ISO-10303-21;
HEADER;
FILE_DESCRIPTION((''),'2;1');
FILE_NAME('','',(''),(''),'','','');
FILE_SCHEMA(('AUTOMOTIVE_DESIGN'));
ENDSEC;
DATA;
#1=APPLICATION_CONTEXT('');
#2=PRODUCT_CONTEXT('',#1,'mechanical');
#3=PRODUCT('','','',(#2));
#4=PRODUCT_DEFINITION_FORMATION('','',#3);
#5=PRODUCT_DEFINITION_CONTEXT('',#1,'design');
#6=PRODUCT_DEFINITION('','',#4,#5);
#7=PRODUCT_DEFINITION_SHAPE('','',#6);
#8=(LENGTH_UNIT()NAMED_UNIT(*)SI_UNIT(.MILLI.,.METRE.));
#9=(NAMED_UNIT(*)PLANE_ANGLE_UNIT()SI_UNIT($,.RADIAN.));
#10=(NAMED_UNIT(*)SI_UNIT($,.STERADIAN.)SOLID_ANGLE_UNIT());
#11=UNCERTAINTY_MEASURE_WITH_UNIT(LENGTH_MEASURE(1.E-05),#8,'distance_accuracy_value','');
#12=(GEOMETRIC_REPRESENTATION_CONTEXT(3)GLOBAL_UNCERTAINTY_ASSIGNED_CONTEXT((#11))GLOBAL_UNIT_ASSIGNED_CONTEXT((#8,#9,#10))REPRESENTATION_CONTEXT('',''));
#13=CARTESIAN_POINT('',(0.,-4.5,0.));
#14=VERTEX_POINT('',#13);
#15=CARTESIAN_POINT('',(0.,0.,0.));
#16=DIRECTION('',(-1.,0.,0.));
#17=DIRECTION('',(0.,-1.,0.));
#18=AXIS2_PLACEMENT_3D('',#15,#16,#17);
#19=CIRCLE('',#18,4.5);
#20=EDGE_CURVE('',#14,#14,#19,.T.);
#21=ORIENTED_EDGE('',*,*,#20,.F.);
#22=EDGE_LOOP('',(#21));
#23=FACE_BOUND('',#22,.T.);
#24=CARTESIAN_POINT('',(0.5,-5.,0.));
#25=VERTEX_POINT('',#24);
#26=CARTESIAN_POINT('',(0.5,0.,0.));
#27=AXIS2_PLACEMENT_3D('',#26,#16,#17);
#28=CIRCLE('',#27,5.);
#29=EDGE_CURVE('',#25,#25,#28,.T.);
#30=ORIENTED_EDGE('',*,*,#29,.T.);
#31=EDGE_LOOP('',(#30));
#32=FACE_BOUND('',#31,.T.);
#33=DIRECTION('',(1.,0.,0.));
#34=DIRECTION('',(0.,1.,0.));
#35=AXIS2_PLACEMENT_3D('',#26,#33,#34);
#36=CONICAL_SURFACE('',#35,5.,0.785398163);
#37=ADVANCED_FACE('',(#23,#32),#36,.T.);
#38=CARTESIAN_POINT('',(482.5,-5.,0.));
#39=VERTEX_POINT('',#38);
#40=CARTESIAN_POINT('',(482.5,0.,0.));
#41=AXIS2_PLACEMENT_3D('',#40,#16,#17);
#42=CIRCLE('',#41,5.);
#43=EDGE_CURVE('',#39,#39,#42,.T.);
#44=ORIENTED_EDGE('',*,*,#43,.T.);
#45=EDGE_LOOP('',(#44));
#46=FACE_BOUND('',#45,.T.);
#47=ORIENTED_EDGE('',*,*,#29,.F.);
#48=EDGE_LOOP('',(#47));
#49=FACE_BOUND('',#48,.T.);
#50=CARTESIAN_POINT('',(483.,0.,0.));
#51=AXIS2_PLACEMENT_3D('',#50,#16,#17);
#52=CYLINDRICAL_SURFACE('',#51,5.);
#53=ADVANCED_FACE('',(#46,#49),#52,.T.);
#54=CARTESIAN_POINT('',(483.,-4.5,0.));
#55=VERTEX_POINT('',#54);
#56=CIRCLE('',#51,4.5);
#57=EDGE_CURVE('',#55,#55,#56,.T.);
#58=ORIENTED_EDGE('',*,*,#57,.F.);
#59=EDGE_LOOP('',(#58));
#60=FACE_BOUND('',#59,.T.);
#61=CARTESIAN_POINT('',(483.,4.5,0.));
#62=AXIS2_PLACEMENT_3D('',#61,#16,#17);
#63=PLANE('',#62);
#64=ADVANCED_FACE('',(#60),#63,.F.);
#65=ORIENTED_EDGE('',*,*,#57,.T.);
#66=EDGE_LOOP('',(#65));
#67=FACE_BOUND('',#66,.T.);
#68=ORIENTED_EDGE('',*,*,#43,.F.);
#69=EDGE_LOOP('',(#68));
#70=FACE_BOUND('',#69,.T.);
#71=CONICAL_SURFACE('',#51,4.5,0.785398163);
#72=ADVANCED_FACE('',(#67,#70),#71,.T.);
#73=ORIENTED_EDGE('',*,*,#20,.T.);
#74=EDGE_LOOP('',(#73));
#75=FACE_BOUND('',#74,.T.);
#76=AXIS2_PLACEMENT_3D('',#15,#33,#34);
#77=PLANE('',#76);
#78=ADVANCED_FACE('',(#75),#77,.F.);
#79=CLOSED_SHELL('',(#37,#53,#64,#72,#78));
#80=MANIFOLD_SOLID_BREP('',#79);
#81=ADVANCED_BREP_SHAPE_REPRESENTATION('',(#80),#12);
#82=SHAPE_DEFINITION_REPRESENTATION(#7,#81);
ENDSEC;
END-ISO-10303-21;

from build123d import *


with BuildPart() as part:
    # Sketch1 → Revolve1 (revolve)
    with BuildSketch(Plane.XY):
        Polygon((0, 0), (0, 4.5), (0.5, 5), (482.5, 5), (483, 4.5), (483, 0), align=None)
    revolve(axis=Axis((483, 0, 0), (-1, 0, 0)))


solid = part.part
